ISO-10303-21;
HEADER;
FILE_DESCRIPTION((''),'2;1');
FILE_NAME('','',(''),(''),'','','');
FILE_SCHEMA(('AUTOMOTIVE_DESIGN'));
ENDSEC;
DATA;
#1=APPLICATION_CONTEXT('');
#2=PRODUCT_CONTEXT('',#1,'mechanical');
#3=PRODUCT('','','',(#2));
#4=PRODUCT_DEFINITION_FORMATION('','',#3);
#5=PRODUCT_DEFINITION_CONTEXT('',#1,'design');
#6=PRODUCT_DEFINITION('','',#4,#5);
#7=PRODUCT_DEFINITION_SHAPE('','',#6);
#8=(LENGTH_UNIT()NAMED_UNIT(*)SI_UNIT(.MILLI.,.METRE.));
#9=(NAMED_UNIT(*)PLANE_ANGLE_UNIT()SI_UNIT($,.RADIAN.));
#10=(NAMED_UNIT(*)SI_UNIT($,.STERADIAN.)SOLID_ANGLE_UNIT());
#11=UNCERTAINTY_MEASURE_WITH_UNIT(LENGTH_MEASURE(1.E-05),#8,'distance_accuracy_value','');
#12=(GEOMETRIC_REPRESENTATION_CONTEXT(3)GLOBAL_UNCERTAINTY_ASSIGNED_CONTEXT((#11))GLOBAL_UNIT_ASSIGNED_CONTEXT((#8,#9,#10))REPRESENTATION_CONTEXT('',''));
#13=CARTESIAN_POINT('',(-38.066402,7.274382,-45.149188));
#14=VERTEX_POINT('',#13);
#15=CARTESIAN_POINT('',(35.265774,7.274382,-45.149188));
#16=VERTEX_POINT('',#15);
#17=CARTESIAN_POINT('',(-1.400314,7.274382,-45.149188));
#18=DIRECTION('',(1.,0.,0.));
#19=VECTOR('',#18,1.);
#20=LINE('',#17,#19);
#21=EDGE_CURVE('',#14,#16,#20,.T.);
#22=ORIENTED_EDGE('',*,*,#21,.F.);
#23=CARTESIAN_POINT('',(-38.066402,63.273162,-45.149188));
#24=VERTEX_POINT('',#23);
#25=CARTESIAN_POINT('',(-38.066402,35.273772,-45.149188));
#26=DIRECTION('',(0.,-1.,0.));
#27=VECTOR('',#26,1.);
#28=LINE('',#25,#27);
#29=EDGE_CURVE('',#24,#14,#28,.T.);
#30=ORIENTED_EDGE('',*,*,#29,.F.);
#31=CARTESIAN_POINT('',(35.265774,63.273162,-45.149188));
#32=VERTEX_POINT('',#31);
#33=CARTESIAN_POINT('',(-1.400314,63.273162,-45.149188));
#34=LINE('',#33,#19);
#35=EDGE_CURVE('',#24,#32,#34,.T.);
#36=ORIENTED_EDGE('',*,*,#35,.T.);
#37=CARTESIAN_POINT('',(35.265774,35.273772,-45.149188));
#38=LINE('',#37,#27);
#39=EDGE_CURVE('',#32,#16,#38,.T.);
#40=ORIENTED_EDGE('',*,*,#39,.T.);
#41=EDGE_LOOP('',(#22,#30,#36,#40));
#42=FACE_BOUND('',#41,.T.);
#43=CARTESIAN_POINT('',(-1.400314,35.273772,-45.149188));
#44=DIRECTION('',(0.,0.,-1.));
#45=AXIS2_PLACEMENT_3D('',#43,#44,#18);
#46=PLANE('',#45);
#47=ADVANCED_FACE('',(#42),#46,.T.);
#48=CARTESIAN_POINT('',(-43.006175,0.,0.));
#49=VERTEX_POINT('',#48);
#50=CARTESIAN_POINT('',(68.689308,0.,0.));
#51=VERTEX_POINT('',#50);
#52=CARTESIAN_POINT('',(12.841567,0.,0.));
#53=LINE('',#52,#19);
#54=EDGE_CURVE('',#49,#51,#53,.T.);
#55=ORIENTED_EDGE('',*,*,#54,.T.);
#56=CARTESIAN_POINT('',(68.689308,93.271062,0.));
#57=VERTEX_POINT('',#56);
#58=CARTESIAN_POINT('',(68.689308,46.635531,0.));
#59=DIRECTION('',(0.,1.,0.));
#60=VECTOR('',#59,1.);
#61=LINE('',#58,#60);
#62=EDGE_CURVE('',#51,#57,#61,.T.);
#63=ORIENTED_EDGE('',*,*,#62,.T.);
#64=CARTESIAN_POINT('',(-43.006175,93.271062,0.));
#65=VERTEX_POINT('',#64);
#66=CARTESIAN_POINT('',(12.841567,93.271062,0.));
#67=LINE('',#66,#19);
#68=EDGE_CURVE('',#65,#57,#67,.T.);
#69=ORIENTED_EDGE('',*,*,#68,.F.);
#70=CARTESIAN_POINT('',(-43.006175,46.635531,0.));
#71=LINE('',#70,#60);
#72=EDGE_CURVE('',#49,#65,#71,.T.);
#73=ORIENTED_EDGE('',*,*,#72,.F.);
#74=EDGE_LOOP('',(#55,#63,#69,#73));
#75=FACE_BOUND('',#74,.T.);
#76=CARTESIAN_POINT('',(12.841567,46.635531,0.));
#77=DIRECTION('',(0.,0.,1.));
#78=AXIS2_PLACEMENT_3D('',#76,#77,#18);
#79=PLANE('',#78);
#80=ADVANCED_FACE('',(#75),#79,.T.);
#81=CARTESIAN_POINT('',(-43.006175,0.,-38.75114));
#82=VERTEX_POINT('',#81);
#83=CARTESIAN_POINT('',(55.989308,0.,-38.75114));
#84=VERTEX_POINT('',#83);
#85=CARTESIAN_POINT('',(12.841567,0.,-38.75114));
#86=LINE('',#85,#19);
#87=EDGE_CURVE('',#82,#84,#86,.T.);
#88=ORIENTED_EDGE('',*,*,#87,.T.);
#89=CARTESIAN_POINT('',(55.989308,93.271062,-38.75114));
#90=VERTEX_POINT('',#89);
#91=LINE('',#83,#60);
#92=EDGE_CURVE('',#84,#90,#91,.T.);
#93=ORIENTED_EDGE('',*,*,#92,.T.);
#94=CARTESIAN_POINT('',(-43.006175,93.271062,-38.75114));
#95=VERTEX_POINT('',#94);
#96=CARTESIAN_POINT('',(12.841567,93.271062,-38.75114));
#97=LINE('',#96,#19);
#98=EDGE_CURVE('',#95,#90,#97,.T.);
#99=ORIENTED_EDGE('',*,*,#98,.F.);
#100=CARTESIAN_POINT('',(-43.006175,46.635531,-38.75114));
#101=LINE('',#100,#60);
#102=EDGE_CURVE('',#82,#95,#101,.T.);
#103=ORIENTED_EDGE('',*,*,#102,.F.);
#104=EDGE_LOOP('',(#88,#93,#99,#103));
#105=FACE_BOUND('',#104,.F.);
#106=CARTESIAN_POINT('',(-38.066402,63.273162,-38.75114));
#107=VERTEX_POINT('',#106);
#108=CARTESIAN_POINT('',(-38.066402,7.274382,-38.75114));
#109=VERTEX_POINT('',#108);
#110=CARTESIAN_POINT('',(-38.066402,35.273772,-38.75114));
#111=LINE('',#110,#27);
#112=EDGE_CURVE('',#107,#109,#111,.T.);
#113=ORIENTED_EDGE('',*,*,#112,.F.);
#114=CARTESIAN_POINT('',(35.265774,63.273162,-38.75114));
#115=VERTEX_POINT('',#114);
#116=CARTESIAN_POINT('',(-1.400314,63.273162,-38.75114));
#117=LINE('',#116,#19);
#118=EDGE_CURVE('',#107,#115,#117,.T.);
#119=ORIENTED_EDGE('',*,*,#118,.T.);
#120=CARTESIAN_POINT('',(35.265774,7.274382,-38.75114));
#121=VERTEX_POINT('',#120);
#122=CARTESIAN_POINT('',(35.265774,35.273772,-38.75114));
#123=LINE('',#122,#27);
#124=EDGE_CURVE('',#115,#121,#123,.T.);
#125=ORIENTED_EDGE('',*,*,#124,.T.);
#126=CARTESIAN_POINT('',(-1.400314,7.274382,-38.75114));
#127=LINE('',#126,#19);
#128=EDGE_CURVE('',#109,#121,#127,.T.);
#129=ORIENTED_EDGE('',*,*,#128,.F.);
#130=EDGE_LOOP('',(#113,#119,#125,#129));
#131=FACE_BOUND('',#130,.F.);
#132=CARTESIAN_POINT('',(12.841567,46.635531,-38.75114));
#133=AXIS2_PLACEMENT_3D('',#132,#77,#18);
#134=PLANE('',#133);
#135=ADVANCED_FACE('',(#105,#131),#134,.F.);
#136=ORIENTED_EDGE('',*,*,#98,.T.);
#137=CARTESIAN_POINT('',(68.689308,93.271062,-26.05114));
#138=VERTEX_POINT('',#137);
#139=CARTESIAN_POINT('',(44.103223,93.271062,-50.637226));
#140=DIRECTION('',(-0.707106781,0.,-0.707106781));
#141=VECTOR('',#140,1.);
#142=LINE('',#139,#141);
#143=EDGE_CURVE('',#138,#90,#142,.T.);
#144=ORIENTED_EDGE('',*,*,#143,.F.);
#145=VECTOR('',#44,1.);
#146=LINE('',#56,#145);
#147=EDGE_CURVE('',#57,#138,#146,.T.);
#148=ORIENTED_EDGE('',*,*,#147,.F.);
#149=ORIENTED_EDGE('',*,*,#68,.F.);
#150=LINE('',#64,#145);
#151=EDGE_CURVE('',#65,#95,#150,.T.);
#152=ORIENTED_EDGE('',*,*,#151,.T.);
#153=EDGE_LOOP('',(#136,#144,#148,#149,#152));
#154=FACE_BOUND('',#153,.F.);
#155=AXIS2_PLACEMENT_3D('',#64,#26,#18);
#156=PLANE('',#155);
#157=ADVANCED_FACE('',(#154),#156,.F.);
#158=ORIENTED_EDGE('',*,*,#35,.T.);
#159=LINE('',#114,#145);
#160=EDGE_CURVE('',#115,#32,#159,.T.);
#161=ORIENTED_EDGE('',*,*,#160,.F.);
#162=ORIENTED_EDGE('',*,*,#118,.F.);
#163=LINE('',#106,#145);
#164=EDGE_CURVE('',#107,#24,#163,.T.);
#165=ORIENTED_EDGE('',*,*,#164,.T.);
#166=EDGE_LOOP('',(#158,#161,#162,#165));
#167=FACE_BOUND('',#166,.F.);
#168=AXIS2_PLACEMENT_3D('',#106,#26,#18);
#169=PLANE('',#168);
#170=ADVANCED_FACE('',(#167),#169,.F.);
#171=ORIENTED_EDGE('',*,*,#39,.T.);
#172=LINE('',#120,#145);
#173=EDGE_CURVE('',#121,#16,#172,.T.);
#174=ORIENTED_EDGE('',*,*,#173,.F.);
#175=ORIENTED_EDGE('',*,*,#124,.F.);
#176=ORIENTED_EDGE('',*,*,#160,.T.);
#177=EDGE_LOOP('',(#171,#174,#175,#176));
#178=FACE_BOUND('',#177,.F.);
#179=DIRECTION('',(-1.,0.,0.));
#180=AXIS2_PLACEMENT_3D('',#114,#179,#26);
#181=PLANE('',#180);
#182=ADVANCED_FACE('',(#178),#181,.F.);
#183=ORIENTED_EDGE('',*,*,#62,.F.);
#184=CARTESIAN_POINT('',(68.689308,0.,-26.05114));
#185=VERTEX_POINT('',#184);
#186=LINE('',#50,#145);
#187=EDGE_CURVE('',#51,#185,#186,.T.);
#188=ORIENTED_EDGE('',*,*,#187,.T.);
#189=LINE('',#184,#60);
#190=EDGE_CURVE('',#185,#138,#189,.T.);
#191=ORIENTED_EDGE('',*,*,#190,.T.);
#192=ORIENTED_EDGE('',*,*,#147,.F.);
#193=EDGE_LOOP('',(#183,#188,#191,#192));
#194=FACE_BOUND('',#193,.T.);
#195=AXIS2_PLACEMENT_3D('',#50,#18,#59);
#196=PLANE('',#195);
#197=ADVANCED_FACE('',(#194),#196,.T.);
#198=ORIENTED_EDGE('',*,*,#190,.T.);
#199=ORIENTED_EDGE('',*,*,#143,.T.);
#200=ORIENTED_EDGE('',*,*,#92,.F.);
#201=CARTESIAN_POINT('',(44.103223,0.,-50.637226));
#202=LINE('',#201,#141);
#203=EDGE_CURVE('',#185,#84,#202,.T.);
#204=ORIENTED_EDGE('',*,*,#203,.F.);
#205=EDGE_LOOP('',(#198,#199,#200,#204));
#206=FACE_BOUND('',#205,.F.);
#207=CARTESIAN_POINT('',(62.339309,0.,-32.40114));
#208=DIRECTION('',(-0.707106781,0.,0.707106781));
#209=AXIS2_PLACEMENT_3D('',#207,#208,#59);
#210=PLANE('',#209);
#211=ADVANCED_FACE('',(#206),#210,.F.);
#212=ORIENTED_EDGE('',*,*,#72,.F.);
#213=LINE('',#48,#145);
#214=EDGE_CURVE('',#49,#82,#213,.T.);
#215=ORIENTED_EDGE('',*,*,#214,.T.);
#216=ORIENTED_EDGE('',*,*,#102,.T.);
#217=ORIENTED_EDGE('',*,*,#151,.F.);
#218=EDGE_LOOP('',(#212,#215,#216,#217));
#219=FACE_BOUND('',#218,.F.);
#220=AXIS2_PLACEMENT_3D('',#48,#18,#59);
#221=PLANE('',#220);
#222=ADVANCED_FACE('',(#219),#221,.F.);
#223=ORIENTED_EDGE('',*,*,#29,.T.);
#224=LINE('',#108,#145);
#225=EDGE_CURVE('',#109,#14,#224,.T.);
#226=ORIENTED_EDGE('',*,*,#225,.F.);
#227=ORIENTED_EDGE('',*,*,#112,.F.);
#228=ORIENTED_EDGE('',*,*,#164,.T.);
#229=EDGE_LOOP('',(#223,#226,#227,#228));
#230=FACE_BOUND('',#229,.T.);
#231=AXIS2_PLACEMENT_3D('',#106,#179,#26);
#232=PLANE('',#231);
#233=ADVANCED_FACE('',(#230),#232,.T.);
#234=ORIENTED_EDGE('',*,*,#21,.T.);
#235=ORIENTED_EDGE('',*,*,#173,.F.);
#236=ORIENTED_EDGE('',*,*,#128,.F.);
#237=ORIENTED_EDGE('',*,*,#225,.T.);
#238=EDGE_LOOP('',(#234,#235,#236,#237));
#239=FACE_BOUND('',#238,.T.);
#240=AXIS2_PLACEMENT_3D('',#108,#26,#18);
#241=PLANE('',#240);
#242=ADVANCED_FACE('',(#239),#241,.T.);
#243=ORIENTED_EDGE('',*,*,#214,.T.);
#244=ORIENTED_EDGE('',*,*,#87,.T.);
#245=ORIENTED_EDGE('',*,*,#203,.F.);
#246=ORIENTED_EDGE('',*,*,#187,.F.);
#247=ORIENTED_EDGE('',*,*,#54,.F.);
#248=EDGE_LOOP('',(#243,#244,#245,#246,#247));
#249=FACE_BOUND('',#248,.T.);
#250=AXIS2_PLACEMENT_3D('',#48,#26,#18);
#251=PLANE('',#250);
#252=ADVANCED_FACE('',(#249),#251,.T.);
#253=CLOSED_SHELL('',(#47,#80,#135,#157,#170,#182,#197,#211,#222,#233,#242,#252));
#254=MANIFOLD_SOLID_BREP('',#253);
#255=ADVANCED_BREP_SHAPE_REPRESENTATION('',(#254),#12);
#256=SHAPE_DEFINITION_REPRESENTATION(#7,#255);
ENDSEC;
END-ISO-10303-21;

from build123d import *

# Parameters (mm, degrees)
F0_W     = 111.695483
F0_H     = 93.271062
F1_DEPTH = 38.75114
F2_SIZE  = 12.7
F3_W     = 73.332176
F3_H     = 55.99878
F4_DEPTH = 6.398048


with BuildPart() as f1:
    # F0 (on Top) → F1 (new body)
    with BuildSketch(Plane.XY):
        with Locations((12.841567, 46.635531)):
            Rectangle(F0_W, F0_H)
    extrude(amount=-F1_DEPTH)

    # F2
    f2_edges = [f1.edges().sort_by_distance(p)[0] for p in [
        (68.689309, 46.635531, -38.75114),
    ]]
    chamfer(f2_edges, length=F2_SIZE)

    # F3 (on face) → F4 (join)
    with BuildSketch(Plane(origin=(0, 0, -38.75114), x_dir=(1, 0, 0), z_dir=(0, 0, -1))):
        with Locations((-1.400314, -35.273772)):
            Rectangle(F3_W, F3_H)
    extrude(amount=F4_DEPTH)


solid = f1.part
